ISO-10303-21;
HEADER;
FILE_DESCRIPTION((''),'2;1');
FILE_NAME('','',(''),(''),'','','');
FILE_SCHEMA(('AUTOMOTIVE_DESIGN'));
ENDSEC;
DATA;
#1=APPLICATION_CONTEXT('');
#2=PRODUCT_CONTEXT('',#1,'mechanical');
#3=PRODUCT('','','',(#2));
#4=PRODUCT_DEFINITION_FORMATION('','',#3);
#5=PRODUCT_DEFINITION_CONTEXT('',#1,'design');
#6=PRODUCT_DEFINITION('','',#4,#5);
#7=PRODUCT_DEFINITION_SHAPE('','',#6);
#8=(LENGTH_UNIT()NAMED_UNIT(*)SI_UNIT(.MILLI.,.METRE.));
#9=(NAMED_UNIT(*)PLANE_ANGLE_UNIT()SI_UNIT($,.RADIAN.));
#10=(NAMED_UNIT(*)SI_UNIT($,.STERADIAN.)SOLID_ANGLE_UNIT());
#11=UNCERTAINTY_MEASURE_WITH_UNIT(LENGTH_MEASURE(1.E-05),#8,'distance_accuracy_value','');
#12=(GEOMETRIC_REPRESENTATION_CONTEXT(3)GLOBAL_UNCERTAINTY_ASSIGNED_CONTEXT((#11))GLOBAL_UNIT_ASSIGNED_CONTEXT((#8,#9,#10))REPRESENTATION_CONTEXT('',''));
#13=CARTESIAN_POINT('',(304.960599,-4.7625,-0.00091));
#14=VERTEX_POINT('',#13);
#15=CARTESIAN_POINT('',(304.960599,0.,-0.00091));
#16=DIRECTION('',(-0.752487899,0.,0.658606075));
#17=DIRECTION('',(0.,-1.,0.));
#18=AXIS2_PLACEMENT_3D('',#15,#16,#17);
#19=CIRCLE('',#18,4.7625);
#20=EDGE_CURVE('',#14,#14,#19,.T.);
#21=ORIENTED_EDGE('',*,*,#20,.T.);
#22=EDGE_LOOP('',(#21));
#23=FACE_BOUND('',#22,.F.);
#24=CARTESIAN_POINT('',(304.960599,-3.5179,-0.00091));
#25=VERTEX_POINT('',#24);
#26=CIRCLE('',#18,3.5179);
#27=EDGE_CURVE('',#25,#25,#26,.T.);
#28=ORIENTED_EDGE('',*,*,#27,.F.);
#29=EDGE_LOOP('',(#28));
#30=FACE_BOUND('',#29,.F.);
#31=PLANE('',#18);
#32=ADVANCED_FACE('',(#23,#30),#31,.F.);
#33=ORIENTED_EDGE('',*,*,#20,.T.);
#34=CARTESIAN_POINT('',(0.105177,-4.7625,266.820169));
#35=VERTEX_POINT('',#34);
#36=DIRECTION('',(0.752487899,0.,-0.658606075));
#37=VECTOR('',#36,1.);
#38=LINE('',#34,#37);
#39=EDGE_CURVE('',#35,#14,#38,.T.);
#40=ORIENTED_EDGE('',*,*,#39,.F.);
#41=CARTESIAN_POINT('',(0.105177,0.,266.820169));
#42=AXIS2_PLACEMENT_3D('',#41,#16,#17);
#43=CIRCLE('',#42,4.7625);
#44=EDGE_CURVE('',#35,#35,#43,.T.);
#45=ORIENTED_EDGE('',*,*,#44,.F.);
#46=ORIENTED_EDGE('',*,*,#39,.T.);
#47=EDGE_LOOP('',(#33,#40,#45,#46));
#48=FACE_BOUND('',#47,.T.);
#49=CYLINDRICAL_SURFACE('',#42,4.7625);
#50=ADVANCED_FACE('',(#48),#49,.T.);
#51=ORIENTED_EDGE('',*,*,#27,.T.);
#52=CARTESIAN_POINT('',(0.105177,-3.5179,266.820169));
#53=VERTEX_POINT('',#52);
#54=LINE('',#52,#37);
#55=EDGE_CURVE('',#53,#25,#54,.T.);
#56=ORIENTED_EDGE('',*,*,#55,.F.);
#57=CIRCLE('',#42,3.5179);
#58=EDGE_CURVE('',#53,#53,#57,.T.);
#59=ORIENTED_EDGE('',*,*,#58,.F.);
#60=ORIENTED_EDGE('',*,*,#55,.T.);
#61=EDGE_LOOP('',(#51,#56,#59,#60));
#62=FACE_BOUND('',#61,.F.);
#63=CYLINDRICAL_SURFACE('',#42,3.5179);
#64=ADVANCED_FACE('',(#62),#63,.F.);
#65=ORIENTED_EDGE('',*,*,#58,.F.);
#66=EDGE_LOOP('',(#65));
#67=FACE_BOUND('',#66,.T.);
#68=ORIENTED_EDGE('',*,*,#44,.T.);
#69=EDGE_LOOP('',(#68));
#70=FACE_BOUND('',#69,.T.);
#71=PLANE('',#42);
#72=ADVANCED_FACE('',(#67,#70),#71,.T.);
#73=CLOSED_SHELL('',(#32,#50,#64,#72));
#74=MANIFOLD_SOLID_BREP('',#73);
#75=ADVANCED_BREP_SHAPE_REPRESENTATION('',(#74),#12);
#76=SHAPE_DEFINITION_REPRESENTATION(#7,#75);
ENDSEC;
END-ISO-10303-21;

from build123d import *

# Parameters (mm, degrees)
F4_R     = 4.7625
F4_R_2   = 3.5179
F5_DEPTH = 405.13


with BuildPart() as f5:
    # F4 (on 3pt) → F5 (new body)
    with BuildSketch(Plane(origin=(-132.1746801975, 0, 115.6843153348), x_dir=(0, -1, 0), z_dir=(-0.7524878987, 0, 0.6586060752))):
        with Locations((0, 200.8482182957)):
            Circle(F4_R)
        with Locations((0, 200.8482182957)):
            Circle(F4_R_2, mode=Mode.SUBTRACT)
    extrude(amount=-F5_DEPTH)


solid = f5.part
